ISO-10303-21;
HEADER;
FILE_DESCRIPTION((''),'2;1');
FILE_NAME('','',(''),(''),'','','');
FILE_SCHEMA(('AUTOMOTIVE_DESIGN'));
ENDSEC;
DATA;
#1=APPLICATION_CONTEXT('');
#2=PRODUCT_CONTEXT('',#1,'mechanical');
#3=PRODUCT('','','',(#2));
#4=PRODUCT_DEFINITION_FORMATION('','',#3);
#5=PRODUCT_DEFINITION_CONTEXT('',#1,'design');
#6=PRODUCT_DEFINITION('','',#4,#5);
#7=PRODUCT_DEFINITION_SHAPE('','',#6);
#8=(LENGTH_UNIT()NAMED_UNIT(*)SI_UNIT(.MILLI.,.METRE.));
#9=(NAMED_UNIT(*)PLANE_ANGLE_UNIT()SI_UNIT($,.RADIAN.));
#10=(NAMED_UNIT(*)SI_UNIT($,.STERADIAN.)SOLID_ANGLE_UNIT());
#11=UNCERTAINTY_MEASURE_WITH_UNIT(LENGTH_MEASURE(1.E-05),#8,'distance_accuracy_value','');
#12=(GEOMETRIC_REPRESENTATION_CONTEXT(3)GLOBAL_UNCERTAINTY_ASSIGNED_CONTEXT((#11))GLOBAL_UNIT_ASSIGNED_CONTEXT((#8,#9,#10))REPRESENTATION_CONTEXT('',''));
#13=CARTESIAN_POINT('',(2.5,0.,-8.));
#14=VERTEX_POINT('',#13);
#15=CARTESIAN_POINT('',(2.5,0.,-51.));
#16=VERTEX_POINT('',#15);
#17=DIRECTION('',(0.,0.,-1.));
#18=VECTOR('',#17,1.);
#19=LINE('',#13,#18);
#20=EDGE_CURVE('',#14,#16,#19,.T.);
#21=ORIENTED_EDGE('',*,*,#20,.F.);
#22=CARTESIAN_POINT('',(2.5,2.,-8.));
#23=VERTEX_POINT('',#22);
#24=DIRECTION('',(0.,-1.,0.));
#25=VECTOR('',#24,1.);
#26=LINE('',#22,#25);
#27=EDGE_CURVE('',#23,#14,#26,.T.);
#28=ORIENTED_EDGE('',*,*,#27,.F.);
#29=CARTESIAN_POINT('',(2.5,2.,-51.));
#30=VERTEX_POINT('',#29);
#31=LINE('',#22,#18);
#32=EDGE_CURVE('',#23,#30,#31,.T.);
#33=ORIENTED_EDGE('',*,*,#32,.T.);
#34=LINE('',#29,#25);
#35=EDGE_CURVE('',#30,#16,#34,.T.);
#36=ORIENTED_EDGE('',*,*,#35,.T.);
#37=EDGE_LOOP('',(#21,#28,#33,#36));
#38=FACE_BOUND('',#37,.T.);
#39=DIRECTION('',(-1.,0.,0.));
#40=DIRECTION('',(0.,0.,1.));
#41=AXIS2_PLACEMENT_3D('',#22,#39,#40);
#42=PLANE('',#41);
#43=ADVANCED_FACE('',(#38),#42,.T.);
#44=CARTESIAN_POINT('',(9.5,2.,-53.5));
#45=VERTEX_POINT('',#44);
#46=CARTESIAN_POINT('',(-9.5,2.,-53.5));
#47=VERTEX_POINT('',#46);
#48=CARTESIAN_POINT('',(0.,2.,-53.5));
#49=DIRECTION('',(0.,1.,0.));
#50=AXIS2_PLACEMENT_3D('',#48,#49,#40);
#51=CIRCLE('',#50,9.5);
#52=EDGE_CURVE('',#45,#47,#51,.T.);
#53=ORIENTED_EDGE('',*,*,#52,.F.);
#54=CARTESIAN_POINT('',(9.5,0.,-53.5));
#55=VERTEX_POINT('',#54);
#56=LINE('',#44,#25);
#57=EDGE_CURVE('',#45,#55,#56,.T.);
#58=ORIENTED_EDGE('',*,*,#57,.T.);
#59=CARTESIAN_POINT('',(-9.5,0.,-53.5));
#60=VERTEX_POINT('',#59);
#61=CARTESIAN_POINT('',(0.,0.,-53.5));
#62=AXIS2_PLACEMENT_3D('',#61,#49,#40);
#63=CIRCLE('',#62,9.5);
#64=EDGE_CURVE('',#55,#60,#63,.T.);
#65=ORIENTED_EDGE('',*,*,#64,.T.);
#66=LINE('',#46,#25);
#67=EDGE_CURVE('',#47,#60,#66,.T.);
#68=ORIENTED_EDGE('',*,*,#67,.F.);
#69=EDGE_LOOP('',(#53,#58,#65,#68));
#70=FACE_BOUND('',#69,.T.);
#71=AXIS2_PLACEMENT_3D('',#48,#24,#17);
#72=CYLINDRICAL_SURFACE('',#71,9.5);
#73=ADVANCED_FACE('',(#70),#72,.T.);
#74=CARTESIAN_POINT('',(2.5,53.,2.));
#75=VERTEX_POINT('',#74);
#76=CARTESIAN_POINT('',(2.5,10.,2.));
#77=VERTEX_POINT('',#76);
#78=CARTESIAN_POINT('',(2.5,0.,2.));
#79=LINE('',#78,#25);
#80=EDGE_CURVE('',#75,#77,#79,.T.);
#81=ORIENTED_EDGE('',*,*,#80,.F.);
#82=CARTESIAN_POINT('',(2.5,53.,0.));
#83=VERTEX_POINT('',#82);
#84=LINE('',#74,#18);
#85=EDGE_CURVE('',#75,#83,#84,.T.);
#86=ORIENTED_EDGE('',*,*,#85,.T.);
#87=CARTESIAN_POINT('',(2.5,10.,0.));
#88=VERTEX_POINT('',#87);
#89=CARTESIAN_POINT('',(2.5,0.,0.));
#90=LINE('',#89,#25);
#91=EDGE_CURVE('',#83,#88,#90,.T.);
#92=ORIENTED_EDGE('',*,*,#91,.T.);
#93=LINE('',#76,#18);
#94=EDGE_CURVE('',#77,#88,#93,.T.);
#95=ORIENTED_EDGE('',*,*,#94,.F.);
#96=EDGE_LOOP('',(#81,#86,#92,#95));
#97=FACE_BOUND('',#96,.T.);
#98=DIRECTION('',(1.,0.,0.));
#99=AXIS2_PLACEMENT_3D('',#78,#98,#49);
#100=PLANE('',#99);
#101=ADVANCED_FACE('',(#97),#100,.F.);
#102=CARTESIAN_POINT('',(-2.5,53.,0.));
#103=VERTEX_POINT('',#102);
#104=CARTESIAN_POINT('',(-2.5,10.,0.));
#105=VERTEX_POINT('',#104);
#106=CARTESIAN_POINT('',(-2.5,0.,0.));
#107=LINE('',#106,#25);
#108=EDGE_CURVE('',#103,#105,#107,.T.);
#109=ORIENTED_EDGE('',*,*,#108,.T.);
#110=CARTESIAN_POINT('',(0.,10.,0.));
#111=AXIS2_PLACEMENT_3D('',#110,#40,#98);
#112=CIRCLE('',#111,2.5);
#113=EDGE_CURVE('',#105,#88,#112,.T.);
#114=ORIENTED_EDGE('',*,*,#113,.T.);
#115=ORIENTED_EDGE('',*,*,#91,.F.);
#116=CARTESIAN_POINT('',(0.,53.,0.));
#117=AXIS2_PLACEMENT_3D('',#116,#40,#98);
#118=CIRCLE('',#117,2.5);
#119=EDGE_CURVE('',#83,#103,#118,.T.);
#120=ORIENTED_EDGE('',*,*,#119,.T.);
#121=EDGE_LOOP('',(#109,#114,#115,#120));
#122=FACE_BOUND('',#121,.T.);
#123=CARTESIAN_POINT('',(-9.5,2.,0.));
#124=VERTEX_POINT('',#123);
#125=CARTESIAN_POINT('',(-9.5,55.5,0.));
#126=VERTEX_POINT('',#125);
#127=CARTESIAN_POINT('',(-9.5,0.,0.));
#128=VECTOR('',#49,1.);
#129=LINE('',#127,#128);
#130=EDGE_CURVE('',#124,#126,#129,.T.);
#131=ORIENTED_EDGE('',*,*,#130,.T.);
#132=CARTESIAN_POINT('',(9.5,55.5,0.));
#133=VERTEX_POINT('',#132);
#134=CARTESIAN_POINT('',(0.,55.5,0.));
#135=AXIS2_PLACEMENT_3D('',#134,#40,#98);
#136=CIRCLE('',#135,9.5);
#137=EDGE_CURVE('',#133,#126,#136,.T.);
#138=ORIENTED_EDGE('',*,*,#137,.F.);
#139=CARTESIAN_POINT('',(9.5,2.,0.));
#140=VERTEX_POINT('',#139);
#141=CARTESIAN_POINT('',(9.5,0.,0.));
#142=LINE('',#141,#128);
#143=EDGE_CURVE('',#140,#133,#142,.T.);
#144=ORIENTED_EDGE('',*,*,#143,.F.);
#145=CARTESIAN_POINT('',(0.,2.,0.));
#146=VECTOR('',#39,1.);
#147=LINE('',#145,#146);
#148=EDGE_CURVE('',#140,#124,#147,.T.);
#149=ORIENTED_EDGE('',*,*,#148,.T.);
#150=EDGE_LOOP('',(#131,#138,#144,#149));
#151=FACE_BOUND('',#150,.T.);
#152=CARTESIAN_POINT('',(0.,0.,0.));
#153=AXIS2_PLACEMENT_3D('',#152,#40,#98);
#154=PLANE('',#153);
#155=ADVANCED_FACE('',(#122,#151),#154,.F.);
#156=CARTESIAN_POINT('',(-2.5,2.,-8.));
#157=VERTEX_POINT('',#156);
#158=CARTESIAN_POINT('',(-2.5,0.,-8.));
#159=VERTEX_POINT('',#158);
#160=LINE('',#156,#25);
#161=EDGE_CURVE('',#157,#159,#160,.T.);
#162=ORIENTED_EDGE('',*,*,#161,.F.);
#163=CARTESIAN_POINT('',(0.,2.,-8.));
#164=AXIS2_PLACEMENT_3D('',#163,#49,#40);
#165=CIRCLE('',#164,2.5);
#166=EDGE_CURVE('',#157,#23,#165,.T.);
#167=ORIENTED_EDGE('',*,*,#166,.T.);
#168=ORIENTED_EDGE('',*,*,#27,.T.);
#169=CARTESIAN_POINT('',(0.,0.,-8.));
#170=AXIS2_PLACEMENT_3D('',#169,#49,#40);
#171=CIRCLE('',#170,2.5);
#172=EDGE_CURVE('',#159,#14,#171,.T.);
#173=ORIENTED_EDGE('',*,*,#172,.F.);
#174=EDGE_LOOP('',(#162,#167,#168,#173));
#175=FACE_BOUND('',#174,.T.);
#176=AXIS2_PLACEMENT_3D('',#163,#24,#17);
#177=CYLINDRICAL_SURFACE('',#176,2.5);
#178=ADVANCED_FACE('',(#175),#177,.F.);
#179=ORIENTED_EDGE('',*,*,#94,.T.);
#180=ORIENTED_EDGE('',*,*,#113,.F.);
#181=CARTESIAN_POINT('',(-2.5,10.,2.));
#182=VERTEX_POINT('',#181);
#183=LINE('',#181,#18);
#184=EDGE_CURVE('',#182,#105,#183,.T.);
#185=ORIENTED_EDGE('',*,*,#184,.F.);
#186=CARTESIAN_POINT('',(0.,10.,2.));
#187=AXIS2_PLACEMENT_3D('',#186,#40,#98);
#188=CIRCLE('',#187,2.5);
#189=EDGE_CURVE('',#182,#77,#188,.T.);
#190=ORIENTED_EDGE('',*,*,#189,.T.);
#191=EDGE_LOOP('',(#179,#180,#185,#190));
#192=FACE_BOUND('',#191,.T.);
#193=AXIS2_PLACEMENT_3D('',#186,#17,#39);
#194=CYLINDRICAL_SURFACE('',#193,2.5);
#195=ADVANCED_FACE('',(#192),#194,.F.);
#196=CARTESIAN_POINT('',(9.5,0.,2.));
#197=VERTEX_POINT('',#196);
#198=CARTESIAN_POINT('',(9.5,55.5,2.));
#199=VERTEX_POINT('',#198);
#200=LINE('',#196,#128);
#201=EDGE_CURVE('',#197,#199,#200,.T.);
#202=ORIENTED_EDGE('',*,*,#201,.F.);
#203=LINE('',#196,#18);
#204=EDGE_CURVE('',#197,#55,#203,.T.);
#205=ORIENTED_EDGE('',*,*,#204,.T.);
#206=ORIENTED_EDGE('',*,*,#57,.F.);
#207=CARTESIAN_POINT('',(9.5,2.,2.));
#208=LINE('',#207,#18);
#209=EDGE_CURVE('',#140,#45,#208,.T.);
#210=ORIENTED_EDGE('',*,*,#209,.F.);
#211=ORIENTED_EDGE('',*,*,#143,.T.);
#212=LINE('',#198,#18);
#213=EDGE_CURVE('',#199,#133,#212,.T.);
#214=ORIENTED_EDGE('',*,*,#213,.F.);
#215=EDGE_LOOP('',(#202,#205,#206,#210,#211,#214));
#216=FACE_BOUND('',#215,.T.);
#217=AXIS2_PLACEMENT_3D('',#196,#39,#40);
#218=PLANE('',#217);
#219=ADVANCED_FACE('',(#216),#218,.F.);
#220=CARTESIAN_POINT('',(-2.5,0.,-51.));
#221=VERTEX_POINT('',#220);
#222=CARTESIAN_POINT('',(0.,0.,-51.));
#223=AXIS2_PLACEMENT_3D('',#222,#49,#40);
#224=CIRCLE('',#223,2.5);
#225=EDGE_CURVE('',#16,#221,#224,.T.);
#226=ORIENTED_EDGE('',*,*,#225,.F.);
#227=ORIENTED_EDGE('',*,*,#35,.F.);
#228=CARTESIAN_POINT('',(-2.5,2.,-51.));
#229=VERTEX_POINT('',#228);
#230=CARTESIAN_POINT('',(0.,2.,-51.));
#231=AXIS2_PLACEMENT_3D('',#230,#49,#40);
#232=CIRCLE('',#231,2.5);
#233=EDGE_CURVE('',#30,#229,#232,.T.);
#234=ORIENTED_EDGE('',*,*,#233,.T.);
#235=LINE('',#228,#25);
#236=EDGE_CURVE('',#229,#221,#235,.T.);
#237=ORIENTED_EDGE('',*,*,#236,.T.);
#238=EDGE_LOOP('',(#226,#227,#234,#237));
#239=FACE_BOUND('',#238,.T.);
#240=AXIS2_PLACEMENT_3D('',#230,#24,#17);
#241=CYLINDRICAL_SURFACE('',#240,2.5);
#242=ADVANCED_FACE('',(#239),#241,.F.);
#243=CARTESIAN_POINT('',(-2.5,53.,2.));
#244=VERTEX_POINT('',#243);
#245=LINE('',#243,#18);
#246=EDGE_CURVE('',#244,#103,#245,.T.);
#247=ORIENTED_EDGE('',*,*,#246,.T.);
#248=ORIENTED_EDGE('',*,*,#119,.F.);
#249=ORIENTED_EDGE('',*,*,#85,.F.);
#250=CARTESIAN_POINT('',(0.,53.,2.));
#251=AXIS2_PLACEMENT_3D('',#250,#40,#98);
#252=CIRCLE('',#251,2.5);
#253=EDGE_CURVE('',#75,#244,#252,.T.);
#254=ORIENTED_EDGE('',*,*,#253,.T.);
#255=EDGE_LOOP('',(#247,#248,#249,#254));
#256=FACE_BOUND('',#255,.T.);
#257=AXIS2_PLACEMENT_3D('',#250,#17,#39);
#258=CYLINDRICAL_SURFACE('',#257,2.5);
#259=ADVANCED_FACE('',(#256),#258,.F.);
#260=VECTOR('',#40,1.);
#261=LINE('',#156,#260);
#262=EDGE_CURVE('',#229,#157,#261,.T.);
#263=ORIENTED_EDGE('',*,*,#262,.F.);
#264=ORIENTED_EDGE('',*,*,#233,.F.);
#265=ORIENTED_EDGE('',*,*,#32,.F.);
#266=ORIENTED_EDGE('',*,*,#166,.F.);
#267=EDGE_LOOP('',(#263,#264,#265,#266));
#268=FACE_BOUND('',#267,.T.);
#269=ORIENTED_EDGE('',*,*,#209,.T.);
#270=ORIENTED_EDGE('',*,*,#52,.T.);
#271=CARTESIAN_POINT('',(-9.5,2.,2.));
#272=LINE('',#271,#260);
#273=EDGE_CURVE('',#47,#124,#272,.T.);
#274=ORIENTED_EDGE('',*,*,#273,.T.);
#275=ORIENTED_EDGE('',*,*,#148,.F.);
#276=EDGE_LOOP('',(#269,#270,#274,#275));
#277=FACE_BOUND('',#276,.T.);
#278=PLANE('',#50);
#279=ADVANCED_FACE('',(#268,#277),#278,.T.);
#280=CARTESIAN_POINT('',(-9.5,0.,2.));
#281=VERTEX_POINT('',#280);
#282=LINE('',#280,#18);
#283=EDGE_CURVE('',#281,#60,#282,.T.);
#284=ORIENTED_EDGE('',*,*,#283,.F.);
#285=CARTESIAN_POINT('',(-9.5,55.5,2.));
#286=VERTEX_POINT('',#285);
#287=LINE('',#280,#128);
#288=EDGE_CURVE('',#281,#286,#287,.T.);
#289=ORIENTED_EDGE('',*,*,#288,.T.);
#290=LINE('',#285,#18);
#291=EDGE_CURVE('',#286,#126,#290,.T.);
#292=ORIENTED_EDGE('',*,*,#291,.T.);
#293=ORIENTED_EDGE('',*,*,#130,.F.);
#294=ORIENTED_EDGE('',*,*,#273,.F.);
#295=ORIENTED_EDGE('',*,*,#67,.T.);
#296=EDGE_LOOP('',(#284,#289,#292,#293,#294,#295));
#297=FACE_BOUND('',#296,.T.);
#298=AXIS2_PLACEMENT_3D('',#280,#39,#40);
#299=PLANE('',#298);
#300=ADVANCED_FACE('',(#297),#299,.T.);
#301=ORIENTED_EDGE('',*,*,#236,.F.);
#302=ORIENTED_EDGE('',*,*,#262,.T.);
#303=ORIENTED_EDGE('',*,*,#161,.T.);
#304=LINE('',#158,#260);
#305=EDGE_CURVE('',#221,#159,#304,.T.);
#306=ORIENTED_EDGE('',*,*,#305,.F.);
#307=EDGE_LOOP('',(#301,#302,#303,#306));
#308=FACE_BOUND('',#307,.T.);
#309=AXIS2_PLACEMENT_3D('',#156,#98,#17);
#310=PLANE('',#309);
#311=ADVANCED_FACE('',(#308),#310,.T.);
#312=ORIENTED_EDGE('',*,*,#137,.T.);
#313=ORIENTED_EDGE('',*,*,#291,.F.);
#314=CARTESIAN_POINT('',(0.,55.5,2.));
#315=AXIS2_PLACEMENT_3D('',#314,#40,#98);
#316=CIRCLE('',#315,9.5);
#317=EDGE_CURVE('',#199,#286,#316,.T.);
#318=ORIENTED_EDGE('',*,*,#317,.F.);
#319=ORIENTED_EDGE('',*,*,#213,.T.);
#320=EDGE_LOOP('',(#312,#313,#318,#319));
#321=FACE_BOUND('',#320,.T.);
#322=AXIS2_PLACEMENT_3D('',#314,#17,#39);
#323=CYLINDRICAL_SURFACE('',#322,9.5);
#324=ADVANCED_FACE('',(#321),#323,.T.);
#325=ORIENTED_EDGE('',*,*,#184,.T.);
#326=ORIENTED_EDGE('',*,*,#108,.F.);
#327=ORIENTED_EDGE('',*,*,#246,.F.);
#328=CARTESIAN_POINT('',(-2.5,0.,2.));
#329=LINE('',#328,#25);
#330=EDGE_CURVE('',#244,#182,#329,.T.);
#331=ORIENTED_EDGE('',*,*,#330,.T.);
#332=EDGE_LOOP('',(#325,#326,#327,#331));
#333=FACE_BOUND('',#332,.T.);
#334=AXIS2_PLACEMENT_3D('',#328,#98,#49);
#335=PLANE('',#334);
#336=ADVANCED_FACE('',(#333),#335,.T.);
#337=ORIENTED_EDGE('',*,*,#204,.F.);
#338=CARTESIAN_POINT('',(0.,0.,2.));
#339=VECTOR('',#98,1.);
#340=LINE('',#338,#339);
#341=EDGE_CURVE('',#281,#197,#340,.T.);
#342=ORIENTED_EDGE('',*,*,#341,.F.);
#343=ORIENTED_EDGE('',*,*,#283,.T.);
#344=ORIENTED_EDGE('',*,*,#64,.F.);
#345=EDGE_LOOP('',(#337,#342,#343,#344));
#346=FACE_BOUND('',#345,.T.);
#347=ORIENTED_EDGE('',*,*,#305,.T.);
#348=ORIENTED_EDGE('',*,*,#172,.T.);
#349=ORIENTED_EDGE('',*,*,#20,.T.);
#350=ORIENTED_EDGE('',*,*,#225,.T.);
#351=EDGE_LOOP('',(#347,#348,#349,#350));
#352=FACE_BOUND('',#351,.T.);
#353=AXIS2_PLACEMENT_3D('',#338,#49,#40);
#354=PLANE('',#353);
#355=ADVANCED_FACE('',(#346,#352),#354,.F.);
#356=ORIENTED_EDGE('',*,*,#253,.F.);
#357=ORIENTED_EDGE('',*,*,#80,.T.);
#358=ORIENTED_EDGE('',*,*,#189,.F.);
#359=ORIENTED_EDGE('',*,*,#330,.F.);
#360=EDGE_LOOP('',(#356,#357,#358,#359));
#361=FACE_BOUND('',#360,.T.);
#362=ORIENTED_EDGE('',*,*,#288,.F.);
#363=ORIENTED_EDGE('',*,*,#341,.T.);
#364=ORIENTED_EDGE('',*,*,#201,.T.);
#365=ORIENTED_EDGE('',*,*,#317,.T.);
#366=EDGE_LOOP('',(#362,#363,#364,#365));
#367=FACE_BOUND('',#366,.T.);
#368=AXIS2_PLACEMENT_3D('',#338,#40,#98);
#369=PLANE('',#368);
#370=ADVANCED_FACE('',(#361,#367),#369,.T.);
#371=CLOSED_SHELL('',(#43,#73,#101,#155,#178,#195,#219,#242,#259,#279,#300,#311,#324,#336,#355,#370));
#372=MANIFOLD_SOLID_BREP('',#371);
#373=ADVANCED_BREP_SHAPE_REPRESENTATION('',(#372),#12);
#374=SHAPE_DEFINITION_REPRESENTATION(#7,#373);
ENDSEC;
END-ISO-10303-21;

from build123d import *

# Parameters (mm, degrees)
SKETCH_1_W      = 19
SKETCH_1_H      = 2.5
EXTRUDE_1_DEPTH = 2
EXTRUDE_2_DEPTH = 2


with BuildPart() as part:
    # 草图1 → 凸台-拉伸1 (new body)
    # profile 1 of 2: a face of its own
    with BuildSketch(Plane.XY):
        with BuildLine():
            Line((-9.5, 55.5), (-9.5, 2.5))
            Line((-9.5, 2.5), (9.5, 2.5))
            Line((9.5, 2.5), (9.5, 55.5))
            ThreePointArc((9.5, 55.5), (0, 65), (-9.5, 55.5))
        make_face()
        with BuildLine():
            ThreePointArc((-2.5, 53), (0, 55.5), (2.5, 53))
            Line((2.5, 53), (2.5, 10))
            ThreePointArc((2.5, 10), (0, 7.5), (-2.5, 10))
            Line((-2.5, 10), (-2.5, 53))
        make_face(mode=Mode.SUBTRACT)
    # profile 2 of 2: a face of its own
    with BuildSketch(Plane.XY):
        with Locations((0, 1.25)):
            Rectangle(SKETCH_1_W, SKETCH_1_H)
    extrude(amount=EXTRUDE_1_DEPTH)

    # 草图2 → 凸台-拉伸2 (add)
    with BuildSketch(Plane(origin=(0, 0, 0), x_dir=(1, 0, 0), z_dir=(0, 1, 0))):
        with BuildLine():
            Line((-9.5, -2), (9.5, -2))
            Line((9.5, -2), (9.5, 53.5))
            ThreePointArc((9.5, 53.5), (0, 63), (-9.5, 53.5))
            Line((-9.5, 53.5), (-9.5, -2))
        make_face()
        with BuildLine():
            Line((-2.5, 8), (-2.5, 51))
            ThreePointArc((-2.5, 51), (0, 53.5), (2.5, 51))
            Line((2.5, 51), (2.5, 8))
            ThreePointArc((2.5, 8), (0, 5.5), (-2.5, 8))
        make_face(mode=Mode.SUBTRACT)
    extrude(amount=EXTRUDE_2_DEPTH)


solid = part.part
